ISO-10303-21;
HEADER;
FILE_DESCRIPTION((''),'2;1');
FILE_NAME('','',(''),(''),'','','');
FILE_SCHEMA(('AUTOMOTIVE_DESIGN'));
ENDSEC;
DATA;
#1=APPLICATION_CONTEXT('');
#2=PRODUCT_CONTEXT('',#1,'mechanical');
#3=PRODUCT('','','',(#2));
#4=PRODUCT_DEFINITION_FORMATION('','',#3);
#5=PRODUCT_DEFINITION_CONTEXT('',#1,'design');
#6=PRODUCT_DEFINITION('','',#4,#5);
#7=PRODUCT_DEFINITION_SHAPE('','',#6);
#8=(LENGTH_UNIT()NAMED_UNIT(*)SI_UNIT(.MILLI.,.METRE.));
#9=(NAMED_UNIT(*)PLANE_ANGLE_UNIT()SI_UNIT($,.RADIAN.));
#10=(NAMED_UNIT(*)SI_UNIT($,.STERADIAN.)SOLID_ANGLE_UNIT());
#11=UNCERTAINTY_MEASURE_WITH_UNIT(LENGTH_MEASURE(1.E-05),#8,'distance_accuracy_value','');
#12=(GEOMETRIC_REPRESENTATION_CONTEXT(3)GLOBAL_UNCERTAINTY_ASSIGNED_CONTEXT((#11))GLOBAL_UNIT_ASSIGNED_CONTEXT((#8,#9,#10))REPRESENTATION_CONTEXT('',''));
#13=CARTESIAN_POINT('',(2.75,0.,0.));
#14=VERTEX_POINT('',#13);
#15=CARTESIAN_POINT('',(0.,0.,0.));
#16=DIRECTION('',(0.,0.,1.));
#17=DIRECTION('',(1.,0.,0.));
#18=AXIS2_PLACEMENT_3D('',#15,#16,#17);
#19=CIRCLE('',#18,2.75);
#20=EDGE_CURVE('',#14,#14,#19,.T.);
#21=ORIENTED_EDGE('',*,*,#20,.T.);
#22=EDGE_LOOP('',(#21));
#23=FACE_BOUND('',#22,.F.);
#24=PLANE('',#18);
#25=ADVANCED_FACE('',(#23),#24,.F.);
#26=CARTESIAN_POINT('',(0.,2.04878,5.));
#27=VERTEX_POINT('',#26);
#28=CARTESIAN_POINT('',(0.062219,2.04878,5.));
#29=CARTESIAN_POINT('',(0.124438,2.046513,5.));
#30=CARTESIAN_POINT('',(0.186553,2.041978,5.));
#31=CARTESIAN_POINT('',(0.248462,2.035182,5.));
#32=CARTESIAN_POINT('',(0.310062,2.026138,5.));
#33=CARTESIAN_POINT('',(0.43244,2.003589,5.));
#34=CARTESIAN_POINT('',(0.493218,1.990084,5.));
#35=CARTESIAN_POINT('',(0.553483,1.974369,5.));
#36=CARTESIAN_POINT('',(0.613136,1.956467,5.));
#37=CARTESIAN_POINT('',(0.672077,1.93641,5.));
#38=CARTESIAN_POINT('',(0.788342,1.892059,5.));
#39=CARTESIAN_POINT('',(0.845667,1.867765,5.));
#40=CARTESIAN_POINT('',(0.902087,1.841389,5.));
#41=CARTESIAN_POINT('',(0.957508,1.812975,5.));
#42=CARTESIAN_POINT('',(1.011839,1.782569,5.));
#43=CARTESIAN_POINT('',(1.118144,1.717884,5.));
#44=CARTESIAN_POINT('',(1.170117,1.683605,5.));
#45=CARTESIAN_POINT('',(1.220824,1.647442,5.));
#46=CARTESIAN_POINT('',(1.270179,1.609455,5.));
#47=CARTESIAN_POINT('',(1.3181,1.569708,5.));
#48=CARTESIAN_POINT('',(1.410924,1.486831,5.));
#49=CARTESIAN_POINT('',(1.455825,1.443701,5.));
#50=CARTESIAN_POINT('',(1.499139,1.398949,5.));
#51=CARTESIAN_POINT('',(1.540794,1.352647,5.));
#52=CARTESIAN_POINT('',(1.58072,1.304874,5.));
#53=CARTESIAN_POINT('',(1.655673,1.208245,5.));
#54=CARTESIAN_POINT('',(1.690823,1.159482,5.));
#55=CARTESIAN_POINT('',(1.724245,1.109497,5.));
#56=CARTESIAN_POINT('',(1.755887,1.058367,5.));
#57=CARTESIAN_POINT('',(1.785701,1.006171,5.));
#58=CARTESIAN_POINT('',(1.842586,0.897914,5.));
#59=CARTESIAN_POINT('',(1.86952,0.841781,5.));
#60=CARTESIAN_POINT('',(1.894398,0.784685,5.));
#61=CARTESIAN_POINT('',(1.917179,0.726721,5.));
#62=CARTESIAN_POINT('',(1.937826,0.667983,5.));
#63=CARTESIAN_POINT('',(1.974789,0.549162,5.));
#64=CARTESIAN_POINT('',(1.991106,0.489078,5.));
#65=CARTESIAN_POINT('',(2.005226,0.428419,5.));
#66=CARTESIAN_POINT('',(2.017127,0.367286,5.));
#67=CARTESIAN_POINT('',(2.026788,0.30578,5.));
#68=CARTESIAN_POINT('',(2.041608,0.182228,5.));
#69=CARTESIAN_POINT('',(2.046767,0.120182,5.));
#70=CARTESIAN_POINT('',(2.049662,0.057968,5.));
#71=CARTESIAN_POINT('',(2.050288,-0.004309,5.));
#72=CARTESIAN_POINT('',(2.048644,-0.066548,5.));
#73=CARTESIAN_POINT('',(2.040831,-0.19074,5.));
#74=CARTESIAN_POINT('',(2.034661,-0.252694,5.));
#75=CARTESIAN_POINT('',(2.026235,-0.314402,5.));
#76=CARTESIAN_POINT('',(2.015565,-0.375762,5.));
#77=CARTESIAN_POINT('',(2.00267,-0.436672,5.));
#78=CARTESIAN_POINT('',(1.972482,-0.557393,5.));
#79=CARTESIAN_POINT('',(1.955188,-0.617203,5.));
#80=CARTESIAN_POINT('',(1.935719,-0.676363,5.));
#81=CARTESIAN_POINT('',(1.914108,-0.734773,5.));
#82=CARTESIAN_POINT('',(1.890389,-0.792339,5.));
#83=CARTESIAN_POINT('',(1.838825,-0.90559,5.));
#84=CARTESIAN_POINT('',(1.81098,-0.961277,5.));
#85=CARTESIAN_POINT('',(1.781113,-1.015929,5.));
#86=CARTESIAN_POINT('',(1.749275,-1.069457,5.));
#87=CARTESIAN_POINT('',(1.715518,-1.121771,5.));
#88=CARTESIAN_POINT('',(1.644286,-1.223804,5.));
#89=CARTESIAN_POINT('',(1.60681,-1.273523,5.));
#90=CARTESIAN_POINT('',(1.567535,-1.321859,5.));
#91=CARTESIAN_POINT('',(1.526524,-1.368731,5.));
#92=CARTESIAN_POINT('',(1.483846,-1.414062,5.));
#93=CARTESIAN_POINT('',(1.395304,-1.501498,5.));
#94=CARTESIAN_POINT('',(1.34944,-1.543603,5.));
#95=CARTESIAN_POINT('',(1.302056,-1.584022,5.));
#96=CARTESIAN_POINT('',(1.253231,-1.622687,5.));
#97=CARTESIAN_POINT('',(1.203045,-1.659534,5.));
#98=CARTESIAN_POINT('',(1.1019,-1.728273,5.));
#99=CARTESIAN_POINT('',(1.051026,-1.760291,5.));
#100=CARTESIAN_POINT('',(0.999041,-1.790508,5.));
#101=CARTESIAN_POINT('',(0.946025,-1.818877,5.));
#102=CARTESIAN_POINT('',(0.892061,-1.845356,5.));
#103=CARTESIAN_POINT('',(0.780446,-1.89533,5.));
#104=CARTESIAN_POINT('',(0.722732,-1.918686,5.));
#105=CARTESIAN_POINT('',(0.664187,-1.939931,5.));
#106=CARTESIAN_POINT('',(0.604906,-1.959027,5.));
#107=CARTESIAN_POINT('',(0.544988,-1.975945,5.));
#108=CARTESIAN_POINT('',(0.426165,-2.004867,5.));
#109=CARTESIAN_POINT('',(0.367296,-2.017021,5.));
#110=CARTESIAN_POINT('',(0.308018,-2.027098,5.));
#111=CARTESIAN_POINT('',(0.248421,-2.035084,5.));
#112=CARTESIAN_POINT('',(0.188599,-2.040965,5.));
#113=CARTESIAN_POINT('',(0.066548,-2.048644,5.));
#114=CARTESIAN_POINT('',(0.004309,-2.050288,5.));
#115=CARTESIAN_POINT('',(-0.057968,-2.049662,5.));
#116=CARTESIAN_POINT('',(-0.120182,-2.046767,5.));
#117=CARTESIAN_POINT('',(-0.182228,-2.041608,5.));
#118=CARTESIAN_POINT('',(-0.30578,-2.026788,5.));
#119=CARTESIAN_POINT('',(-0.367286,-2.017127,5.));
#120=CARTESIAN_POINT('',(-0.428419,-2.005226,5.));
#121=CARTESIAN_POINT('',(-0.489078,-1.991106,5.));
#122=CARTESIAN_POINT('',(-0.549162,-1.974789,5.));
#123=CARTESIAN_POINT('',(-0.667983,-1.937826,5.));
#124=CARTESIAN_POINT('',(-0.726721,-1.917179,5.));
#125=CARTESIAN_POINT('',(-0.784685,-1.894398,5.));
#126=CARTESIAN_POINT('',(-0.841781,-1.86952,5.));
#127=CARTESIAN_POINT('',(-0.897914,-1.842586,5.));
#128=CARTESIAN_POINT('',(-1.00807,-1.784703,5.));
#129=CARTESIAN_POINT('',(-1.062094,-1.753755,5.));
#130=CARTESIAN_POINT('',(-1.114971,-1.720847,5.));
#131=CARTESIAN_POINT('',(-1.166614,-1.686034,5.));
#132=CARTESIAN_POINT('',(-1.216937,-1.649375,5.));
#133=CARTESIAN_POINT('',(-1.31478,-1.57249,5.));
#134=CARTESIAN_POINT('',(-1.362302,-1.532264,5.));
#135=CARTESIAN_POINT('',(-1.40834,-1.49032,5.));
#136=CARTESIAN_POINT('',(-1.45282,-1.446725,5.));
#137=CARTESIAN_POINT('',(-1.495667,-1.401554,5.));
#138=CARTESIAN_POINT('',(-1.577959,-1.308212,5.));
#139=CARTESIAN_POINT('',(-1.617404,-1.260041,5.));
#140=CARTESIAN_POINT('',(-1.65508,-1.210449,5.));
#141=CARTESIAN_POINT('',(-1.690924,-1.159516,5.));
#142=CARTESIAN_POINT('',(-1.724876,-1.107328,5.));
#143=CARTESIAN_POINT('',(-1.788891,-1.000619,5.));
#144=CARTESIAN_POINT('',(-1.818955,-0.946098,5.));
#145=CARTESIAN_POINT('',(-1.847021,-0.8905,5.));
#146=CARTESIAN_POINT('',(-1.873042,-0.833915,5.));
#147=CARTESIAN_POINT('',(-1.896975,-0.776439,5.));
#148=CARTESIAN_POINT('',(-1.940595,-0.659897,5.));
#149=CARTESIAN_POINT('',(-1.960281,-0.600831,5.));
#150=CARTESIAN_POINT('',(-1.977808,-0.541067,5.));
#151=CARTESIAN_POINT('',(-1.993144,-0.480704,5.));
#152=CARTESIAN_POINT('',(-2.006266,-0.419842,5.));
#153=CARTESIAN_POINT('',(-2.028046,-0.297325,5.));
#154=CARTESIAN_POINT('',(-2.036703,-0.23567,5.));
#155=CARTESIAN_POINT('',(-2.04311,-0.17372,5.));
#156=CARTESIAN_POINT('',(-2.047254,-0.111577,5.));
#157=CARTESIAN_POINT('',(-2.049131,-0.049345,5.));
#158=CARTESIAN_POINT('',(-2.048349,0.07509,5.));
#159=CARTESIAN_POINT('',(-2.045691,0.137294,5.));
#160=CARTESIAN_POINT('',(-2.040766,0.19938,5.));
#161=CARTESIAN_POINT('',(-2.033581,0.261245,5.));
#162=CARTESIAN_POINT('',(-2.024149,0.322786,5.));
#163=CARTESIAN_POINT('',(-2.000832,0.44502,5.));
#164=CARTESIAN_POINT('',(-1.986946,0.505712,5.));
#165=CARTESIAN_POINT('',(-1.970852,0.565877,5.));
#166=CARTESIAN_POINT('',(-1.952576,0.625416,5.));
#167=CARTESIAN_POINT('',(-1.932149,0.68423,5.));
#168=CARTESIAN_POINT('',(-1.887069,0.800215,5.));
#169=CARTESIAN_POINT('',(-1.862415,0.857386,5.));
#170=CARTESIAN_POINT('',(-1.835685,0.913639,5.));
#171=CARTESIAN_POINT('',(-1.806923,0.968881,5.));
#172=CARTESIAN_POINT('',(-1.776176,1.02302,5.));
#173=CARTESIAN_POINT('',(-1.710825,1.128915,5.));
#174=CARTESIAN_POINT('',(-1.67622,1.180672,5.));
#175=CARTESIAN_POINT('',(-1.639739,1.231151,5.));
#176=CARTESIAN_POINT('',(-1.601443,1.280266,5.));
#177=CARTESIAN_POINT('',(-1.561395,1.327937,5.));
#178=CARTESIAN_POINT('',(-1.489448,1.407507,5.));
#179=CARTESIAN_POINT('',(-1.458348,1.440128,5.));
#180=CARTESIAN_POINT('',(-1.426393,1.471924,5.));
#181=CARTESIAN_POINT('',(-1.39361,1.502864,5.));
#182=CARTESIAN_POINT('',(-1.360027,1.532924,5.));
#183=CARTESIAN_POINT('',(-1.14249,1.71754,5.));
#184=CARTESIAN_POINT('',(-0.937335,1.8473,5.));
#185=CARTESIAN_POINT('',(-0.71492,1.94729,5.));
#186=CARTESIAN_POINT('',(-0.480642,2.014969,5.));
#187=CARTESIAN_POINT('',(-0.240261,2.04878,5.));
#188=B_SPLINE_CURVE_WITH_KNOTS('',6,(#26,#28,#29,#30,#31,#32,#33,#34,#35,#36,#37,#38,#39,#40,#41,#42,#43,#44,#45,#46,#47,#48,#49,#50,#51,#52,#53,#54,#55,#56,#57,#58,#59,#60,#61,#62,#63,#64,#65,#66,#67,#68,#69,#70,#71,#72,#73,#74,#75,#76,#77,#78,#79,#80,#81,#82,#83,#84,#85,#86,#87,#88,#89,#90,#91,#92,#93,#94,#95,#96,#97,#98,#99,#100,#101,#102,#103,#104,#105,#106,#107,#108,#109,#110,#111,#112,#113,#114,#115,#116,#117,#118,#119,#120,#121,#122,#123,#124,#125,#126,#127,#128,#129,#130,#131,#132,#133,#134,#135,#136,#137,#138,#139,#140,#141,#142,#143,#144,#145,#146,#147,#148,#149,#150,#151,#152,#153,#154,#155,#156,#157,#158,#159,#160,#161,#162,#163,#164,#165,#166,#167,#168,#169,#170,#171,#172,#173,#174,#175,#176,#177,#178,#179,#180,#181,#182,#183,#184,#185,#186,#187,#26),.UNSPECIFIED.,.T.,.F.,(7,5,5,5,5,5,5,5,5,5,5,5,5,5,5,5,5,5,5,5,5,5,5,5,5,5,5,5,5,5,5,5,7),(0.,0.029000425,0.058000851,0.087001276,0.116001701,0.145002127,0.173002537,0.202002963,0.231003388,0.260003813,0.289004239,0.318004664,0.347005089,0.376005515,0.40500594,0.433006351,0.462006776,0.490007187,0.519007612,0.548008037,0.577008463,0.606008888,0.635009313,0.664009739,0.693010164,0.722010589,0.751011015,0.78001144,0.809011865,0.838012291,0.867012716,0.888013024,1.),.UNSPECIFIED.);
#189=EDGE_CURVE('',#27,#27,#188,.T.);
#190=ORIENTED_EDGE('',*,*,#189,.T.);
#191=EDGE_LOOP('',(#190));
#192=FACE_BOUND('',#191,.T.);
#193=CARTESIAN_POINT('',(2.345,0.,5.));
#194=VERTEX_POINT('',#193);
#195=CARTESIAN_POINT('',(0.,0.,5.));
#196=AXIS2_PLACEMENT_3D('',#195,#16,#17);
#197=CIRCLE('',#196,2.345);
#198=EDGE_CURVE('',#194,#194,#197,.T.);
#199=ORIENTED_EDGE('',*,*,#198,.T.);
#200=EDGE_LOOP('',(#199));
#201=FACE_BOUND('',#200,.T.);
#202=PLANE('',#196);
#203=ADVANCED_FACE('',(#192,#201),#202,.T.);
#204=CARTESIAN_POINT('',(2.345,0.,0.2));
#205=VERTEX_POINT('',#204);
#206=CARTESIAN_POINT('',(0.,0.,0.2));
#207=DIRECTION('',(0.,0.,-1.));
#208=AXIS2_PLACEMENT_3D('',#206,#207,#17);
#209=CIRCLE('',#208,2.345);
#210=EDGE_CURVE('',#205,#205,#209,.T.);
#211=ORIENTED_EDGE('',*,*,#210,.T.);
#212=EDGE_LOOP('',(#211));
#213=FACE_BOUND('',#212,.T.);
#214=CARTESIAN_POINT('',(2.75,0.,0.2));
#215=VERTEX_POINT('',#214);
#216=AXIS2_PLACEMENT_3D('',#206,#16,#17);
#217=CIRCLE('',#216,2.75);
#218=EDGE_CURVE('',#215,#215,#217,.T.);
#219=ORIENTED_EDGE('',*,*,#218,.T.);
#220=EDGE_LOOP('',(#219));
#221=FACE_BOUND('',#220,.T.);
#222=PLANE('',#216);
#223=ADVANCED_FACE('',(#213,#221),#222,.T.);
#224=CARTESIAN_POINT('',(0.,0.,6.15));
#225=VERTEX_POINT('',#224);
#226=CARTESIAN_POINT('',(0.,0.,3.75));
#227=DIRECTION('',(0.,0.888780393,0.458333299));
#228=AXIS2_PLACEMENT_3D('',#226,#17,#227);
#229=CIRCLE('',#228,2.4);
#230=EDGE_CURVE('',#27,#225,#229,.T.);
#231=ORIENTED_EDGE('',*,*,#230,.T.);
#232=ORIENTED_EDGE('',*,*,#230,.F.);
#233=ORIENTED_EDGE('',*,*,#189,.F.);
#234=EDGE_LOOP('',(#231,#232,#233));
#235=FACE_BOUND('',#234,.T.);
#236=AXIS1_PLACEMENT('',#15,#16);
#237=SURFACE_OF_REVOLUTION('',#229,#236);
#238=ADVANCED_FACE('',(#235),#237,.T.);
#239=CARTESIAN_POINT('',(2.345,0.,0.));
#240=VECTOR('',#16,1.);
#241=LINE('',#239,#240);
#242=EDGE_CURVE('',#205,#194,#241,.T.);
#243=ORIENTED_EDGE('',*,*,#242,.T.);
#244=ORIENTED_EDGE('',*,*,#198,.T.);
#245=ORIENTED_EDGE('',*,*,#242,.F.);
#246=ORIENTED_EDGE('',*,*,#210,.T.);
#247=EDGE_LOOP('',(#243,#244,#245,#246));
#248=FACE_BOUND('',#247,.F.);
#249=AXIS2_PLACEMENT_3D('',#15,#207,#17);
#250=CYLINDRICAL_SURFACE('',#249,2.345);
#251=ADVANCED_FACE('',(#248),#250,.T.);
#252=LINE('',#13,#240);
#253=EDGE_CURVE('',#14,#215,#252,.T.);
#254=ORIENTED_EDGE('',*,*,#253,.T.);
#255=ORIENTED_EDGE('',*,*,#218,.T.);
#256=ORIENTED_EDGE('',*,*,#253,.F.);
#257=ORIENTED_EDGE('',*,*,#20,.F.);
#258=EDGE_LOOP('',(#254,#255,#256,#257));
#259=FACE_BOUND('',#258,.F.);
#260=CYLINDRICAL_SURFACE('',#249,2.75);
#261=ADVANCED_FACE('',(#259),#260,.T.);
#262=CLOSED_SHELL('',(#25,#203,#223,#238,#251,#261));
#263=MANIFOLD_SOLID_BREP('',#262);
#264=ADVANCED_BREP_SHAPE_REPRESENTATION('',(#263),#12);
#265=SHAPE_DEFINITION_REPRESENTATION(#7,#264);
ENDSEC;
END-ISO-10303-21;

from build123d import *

# Parameters (mm, degrees)
SKETCH_R     = 2.75
PAD_DEPTH    = 0.2
SKETCH002_R  = 2.345
PAD001_DEPTH = 5


with BuildPart() as part:
    # Sketch → Pad (new body)
    with BuildSketch(Plane.XY):
        Circle(SKETCH_R)
    extrude(amount=PAD_DEPTH)

    # Sketch002 → Pad001 (join)
    with BuildSketch(Plane.XY):
        Circle(SKETCH002_R)
    extrude(amount=PAD001_DEPTH)

    # Sketch003 → Revolution (revolve)
    with BuildSketch(Plane.YZ):
        with BuildLine():
            Line((0, 4.85), (0, 6.15))
            ThreePointArc((2.133073, 4.85), (1.249, 5.79939), (0, 6.15))
            Line((0, 4.85), (2.133073, 4.85))
        make_face()
    revolve(axis=Axis((0, 0, 0), (0, 0, 1)))


solid = part.part
